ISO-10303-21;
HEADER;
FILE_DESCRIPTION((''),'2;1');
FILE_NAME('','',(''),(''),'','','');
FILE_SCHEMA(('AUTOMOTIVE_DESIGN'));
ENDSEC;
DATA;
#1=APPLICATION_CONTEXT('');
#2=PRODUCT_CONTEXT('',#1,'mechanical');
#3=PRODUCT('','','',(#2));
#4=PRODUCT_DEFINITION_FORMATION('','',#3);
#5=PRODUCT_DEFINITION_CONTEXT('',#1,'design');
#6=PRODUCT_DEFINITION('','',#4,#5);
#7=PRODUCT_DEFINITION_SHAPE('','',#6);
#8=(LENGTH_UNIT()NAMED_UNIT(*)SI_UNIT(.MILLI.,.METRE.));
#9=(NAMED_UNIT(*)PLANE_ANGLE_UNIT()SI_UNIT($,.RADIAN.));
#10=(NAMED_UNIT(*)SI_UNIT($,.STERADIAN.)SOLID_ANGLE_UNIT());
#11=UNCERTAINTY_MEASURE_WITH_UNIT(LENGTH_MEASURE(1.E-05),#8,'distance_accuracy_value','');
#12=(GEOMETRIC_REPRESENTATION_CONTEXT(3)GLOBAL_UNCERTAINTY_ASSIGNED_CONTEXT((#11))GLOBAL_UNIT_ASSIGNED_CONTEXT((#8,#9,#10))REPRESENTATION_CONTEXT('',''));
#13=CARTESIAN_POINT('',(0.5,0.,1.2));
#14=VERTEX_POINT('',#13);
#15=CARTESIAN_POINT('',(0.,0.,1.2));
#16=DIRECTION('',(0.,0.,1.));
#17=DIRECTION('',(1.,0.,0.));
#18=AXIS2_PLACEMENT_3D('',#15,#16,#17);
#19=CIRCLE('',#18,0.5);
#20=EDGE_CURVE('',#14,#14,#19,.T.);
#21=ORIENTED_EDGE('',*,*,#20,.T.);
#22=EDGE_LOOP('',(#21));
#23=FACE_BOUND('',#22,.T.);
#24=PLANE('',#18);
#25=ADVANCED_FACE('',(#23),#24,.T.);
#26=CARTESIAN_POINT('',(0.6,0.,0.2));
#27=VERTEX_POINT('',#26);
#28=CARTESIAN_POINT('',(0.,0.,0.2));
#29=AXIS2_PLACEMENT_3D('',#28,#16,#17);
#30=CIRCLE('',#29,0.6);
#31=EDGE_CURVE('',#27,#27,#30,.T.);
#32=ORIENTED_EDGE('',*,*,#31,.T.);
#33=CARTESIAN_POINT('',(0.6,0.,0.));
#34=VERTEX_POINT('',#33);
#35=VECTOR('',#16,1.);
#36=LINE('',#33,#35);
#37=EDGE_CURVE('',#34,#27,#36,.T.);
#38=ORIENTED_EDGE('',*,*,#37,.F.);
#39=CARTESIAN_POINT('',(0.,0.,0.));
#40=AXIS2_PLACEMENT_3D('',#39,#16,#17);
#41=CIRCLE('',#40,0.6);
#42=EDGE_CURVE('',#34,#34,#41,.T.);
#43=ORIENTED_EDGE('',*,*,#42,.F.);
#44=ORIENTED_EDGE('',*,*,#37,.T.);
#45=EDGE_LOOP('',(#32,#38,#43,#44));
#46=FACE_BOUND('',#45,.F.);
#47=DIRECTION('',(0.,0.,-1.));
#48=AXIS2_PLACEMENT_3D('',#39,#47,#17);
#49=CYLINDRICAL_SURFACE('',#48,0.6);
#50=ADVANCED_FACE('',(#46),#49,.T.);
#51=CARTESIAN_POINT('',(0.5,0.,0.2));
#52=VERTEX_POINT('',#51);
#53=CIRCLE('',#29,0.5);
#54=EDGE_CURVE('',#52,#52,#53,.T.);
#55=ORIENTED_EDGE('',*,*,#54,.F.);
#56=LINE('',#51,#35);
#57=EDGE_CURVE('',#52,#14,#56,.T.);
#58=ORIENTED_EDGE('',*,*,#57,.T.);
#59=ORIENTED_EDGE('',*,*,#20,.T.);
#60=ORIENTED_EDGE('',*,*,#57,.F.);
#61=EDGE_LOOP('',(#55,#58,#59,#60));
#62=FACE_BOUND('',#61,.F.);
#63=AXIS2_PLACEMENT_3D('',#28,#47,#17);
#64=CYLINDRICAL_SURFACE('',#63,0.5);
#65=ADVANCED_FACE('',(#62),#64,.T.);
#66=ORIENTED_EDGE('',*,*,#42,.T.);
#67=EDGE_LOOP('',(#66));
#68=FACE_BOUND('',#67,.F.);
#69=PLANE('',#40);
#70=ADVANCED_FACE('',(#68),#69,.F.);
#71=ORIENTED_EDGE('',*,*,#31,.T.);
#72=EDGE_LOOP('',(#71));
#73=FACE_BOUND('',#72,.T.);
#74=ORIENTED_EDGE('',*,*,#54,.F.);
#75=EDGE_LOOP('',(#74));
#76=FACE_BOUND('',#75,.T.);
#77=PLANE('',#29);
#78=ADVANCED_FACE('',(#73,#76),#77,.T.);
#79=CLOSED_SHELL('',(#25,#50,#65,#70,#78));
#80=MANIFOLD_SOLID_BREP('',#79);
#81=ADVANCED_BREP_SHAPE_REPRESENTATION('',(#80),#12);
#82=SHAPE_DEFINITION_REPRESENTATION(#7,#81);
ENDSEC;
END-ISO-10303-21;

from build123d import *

# Parameters (mm, degrees)
SKETCH_R     = 0.6
PAD_DEPTH    = 0.2
SKETCH001_R  = 0.5
PAD001_DEPTH = 1


with BuildPart() as part:
    # Sketch → Pad (new body)
    with BuildSketch(Plane.XY):
        Circle(SKETCH_R)
    extrude(amount=PAD_DEPTH)

    # Sketch001 (on Face3 of Pad) → Pad001 (join)
    with BuildSketch(Plane.XY.offset(0.2)):
        Circle(SKETCH001_R)
    extrude(amount=PAD001_DEPTH)


solid = part.part
